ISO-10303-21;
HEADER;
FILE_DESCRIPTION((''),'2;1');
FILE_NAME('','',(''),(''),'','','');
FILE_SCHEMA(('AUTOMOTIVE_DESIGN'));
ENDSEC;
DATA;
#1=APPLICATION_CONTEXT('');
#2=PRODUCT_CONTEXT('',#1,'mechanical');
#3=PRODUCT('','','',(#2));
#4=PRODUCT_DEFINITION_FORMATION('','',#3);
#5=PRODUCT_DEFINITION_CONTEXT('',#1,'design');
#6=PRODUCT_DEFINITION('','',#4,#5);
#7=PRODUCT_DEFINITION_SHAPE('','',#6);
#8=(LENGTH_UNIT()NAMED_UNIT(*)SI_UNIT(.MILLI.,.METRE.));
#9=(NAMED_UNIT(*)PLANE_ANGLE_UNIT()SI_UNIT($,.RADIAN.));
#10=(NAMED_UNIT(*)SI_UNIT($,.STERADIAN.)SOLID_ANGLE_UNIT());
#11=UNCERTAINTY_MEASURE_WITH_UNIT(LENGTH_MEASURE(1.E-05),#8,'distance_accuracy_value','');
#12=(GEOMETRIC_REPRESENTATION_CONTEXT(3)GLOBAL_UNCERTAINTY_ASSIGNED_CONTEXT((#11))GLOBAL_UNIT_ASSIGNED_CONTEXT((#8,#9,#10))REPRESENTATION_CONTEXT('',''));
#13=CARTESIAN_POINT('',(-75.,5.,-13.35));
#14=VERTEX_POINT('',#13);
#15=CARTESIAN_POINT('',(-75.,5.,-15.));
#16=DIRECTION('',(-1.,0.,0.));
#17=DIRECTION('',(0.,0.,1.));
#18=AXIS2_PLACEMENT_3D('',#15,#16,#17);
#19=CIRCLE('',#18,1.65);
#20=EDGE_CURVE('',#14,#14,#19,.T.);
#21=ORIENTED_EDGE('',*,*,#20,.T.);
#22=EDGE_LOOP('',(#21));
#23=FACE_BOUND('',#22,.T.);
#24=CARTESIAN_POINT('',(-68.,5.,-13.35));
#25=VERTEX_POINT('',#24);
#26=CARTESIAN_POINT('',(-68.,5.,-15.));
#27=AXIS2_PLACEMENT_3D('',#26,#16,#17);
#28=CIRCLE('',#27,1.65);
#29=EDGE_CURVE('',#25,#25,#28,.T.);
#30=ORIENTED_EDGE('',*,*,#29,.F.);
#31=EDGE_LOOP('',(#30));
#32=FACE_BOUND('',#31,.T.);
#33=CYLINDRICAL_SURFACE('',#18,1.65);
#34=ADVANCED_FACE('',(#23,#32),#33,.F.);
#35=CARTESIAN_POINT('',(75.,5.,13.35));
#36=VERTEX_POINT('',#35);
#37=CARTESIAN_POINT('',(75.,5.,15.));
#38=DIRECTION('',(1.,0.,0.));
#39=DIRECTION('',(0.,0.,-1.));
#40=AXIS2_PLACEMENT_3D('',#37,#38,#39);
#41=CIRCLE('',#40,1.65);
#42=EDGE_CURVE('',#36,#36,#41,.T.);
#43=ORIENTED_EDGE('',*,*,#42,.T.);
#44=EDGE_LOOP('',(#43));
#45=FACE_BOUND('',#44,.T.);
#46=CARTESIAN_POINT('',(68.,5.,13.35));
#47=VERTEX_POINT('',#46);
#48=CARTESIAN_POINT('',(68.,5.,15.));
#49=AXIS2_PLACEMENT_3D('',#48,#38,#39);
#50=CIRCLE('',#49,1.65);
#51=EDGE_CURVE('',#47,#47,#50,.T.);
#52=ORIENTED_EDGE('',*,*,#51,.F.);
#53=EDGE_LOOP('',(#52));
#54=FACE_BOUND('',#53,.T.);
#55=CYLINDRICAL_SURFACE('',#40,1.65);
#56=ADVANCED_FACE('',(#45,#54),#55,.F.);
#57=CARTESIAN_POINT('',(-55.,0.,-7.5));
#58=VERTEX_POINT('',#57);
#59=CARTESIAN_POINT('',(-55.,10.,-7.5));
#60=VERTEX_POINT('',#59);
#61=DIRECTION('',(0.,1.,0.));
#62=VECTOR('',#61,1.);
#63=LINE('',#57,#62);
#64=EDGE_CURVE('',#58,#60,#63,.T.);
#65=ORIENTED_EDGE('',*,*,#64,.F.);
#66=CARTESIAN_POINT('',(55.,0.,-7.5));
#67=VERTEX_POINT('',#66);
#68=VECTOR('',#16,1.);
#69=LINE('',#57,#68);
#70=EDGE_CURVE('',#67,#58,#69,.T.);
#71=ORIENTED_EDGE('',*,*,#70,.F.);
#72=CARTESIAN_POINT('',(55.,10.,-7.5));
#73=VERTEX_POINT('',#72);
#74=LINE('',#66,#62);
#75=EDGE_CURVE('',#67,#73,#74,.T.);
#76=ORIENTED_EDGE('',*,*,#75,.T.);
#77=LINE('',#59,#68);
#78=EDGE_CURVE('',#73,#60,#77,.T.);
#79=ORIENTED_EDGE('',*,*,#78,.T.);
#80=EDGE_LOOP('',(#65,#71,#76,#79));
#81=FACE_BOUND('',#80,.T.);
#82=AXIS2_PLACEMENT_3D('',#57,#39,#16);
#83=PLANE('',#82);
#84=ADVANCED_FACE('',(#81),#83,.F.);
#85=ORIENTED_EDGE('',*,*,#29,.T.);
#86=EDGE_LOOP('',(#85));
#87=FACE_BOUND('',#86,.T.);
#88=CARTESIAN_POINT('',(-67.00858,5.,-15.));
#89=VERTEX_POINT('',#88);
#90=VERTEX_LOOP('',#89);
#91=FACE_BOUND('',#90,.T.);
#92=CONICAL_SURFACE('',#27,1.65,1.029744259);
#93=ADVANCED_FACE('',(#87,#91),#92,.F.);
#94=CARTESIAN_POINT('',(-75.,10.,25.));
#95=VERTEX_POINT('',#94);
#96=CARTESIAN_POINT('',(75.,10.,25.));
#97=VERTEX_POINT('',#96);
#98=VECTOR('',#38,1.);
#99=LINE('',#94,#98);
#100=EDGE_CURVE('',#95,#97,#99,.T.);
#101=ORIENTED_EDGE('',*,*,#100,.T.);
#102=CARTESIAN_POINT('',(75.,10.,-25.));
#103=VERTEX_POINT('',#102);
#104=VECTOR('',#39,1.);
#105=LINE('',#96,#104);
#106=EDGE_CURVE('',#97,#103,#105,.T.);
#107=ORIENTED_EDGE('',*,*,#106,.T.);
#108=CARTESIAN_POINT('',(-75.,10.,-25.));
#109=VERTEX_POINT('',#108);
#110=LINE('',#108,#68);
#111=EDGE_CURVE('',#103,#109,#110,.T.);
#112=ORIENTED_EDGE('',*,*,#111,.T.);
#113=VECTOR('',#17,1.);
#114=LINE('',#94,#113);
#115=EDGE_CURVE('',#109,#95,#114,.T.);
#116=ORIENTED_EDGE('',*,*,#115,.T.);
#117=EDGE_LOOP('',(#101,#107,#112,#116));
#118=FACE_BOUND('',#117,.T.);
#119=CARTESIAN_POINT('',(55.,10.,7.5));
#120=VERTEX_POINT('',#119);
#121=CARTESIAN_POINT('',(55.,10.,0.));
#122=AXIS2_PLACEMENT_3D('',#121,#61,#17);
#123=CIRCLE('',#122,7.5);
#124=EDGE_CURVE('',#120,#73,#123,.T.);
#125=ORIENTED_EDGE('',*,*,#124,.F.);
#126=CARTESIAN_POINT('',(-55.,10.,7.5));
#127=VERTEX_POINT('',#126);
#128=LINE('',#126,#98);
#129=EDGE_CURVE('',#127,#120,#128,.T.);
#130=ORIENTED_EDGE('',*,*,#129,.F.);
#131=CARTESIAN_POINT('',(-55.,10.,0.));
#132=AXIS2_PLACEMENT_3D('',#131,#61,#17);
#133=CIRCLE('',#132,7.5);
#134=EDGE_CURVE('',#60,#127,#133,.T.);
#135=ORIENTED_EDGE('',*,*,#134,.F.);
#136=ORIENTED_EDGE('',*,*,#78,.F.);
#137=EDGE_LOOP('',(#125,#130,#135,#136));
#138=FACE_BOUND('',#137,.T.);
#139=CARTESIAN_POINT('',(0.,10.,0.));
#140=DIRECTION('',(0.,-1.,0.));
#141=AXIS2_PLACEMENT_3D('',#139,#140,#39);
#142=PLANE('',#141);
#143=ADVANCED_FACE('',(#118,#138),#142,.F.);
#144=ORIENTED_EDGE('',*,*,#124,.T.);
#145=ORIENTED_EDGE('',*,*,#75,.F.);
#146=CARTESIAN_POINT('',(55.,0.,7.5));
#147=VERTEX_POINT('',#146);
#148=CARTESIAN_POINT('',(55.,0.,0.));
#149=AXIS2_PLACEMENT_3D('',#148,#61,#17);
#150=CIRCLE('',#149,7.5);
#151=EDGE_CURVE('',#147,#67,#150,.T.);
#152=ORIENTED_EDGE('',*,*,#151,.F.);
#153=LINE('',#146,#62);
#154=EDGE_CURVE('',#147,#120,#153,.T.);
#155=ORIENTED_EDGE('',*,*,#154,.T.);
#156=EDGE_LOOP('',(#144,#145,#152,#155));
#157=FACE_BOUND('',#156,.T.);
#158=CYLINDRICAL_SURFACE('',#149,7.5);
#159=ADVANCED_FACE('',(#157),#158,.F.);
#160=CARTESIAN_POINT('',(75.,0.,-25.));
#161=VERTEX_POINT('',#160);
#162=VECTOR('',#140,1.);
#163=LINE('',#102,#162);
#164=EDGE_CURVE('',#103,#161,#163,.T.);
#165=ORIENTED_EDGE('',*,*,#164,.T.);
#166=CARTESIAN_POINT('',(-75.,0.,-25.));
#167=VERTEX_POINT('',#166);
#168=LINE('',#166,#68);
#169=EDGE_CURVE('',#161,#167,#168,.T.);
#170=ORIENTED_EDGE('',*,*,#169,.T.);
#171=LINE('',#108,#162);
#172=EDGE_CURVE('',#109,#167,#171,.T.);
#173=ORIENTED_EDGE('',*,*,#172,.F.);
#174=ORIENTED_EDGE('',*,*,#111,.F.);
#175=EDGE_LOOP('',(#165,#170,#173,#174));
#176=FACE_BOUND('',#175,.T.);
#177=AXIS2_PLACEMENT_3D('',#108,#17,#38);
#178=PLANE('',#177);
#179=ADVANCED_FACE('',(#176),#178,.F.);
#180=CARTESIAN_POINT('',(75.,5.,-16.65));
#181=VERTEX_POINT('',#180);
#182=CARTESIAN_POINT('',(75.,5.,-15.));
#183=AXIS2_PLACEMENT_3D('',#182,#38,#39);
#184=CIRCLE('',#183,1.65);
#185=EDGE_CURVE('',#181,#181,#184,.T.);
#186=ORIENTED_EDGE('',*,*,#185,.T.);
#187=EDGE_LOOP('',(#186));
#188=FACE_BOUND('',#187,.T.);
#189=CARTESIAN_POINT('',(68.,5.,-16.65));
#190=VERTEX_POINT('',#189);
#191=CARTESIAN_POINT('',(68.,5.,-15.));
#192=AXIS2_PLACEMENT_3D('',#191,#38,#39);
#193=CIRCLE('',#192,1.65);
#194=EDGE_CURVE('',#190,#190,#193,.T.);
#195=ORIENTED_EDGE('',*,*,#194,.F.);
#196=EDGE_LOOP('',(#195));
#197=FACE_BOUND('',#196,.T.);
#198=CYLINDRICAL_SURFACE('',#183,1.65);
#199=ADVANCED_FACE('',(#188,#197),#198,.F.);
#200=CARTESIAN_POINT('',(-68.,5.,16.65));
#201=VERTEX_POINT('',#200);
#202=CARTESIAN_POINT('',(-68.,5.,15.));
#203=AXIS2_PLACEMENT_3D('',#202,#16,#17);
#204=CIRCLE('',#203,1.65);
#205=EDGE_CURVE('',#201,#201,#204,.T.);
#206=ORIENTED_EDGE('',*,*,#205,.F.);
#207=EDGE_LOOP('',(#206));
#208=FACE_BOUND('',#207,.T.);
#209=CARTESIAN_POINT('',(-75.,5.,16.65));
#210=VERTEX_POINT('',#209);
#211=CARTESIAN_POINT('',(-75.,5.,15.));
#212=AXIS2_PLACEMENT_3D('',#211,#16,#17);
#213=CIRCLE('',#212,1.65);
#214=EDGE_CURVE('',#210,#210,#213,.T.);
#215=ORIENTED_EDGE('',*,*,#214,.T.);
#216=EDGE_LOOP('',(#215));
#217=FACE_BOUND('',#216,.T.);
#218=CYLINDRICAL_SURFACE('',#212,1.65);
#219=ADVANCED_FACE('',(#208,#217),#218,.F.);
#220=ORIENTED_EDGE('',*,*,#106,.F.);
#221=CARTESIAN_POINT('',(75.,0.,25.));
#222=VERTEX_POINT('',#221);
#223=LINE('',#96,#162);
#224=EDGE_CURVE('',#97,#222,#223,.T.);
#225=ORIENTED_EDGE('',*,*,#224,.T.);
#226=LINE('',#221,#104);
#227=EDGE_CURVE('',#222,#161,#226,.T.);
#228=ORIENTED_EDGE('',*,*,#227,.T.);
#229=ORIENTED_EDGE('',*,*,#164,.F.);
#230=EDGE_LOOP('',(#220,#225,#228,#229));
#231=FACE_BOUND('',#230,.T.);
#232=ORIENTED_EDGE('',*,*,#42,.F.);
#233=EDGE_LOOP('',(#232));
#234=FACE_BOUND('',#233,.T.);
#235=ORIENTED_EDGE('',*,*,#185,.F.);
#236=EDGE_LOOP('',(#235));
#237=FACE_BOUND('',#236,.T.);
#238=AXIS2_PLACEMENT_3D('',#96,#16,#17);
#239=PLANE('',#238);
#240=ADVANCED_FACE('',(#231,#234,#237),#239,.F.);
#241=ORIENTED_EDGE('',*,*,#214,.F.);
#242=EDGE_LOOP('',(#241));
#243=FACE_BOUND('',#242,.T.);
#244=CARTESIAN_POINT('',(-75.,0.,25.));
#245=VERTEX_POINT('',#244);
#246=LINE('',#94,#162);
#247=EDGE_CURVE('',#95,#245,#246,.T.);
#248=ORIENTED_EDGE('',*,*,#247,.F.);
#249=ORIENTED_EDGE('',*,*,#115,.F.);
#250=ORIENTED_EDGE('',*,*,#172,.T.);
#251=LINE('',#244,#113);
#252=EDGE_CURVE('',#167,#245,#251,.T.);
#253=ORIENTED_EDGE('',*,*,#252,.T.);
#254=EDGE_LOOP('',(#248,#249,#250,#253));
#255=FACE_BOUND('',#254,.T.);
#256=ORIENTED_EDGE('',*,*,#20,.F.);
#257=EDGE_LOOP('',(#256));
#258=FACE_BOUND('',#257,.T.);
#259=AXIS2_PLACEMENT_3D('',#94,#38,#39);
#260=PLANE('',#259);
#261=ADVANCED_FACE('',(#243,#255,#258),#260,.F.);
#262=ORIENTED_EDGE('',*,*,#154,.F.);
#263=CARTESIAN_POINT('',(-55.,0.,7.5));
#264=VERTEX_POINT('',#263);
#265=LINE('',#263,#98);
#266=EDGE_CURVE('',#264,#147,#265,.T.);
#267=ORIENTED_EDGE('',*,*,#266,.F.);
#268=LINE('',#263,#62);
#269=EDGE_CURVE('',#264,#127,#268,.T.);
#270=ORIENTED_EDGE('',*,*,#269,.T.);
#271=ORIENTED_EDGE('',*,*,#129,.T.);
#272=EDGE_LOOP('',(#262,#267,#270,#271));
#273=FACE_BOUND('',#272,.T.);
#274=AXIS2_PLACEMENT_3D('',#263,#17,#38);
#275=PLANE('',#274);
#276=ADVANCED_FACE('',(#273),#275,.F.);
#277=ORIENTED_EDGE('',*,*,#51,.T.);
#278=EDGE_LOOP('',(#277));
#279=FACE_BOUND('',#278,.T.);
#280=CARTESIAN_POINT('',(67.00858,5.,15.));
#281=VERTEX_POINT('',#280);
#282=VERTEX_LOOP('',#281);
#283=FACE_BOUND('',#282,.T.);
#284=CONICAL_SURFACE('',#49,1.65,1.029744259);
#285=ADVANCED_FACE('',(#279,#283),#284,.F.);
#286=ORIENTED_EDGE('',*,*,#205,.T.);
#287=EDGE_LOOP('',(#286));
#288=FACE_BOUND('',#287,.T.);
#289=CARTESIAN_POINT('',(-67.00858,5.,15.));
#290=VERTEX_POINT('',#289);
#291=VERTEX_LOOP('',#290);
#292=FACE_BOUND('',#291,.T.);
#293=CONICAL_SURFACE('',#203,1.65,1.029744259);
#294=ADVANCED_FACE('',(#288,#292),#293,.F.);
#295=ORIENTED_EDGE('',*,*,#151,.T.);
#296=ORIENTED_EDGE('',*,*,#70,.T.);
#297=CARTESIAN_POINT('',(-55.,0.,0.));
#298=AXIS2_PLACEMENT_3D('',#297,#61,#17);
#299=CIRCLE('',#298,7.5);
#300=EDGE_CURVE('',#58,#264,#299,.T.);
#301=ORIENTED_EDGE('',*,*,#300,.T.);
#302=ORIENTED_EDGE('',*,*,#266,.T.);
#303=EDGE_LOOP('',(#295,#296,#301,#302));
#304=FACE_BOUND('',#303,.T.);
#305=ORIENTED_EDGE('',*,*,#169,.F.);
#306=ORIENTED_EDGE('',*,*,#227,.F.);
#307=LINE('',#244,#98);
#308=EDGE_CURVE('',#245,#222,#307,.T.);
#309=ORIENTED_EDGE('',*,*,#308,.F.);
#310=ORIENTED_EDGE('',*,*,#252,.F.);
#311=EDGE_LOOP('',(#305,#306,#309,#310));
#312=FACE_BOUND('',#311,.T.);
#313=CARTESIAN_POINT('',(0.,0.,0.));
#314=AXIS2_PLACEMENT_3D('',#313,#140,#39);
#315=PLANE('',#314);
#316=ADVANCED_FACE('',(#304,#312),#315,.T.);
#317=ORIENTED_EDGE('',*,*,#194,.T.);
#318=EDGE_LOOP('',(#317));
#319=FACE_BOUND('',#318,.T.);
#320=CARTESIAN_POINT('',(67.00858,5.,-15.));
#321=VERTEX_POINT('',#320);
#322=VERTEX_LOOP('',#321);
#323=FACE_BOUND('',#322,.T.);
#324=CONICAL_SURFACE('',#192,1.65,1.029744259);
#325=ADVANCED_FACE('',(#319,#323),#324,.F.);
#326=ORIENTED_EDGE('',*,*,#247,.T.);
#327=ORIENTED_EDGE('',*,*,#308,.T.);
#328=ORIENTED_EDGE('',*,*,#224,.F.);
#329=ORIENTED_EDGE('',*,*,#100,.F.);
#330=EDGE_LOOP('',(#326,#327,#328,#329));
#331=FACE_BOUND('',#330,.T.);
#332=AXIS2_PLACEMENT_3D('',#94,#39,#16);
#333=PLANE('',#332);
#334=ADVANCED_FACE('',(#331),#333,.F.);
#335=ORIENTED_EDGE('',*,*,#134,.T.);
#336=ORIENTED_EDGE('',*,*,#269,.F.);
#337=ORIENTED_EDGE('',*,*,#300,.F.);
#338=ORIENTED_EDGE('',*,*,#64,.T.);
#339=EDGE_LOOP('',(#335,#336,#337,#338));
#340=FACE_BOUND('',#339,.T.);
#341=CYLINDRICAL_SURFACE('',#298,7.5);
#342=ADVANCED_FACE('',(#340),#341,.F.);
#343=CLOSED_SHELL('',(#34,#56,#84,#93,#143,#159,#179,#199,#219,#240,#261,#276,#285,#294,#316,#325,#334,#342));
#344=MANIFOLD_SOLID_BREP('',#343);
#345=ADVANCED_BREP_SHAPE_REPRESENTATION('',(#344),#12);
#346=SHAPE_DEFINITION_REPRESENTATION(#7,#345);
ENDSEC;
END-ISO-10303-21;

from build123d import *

# Parameters (mm, degrees)
SKETCH_1_W                       = 150
SKETCH_1_H                       = 50
EXTRUDE_1_DEPTH                  = 10
CUT_EXTRUDE_1_DEPTH              = 10
HOLE_WIZARD_M4_1_D               = 3.3
HOLE_WIZARD_M4_1_DEPTH           = 7
HOLE_WIZARD_M4_1_TIP             = 0.991420021
HOLE_WIZARD_M4_2_D               = 3.3
HOLE_WIZARD_M4_2_DEPTH           = 7
HOLE_WIZARD_M4_2_TIP             = 0.991420021
HOLE_WIZARD_M4_2_ON_FACE_2_D     = 3.3
HOLE_WIZARD_M4_2_ON_FACE_2_DEPTH = 7
HOLE_WIZARD_M4_2_ON_FACE_2_TIP   = 0.991420021


with BuildPart() as part:
    # 草图1 → 凸台-拉伸1 (new body)
    with BuildSketch(Plane(origin=(0, 0, 0), x_dir=(1, 0, 0), z_dir=(0, 1, 0))):
        Rectangle(SKETCH_1_W, SKETCH_1_H)
    extrude(amount=EXTRUDE_1_DEPTH)

    # 草图2 → 切除-拉伸1 (cut)
    with BuildSketch(Plane(origin=(0, 10, 0), x_dir=(1, 0, 0), z_dir=(0, 1, 0))):
        with BuildLine():
            Line((-55, 7.5), (55, 7.5))
            ThreePointArc((55, 7.5), (62.5, 0), (55, -7.5))
            Line((55, -7.5), (-55, -7.5))
            ThreePointArc((-55, -7.5), (-62.5, 0), (-55, 7.5))
        make_face()
    extrude(amount=-CUT_EXTRUDE_1_DEPTH, mode=Mode.SUBTRACT)

    # M4 螺纹孔的螺纹孔钻头1
    with Locations(Plane(origin=(-75, 5, -15), x_dir=(0, 0, -1), z_dir=(-1, 0, 0))):
        with Locations((0, 0), (-30, 0)):
            Hole(HOLE_WIZARD_M4_1_D / 2, depth=HOLE_WIZARD_M4_1_DEPTH)
            with Locations((0, 0, -(HOLE_WIZARD_M4_1_DEPTH + HOLE_WIZARD_M4_1_TIP / 2))):  # 118° drill point
                Cone(0, HOLE_WIZARD_M4_1_D / 2, HOLE_WIZARD_M4_1_TIP, mode=Mode.SUBTRACT)

    # M4 螺纹孔的螺纹孔钻头2
    with Locations(Plane(origin=(75, 5, 15), x_dir=(0, 0, 1), z_dir=(1, 0, 0))):
        with Locations((0, 0), (-30, 0)):
            Hole(HOLE_WIZARD_M4_2_D / 2, depth=HOLE_WIZARD_M4_2_DEPTH)
            with Locations((0, 0, -(HOLE_WIZARD_M4_2_DEPTH + HOLE_WIZARD_M4_2_TIP / 2))):  # 118° drill point
                Cone(0, HOLE_WIZARD_M4_2_D / 2, HOLE_WIZARD_M4_2_TIP, mode=Mode.SUBTRACT)

    # M4 螺纹孔的螺纹孔钻头2 on face 2
    with Locations(Plane(origin=(0, 37.698562119, 89.96356162), x_dir=(0, 0, 1), z_dir=(1, 0, 0))):
        with Locations((0, 0)):
            Hole(HOLE_WIZARD_M4_2_ON_FACE_2_D / 2, depth=HOLE_WIZARD_M4_2_ON_FACE_2_DEPTH)
            with Locations((0, 0, -(HOLE_WIZARD_M4_2_ON_FACE_2_DEPTH + HOLE_WIZARD_M4_2_ON_FACE_2_TIP / 2))):  # 118° drill point
                Cone(0, HOLE_WIZARD_M4_2_ON_FACE_2_D / 2, HOLE_WIZARD_M4_2_ON_FACE_2_TIP, mode=Mode.SUBTRACT)


solid = part.part
